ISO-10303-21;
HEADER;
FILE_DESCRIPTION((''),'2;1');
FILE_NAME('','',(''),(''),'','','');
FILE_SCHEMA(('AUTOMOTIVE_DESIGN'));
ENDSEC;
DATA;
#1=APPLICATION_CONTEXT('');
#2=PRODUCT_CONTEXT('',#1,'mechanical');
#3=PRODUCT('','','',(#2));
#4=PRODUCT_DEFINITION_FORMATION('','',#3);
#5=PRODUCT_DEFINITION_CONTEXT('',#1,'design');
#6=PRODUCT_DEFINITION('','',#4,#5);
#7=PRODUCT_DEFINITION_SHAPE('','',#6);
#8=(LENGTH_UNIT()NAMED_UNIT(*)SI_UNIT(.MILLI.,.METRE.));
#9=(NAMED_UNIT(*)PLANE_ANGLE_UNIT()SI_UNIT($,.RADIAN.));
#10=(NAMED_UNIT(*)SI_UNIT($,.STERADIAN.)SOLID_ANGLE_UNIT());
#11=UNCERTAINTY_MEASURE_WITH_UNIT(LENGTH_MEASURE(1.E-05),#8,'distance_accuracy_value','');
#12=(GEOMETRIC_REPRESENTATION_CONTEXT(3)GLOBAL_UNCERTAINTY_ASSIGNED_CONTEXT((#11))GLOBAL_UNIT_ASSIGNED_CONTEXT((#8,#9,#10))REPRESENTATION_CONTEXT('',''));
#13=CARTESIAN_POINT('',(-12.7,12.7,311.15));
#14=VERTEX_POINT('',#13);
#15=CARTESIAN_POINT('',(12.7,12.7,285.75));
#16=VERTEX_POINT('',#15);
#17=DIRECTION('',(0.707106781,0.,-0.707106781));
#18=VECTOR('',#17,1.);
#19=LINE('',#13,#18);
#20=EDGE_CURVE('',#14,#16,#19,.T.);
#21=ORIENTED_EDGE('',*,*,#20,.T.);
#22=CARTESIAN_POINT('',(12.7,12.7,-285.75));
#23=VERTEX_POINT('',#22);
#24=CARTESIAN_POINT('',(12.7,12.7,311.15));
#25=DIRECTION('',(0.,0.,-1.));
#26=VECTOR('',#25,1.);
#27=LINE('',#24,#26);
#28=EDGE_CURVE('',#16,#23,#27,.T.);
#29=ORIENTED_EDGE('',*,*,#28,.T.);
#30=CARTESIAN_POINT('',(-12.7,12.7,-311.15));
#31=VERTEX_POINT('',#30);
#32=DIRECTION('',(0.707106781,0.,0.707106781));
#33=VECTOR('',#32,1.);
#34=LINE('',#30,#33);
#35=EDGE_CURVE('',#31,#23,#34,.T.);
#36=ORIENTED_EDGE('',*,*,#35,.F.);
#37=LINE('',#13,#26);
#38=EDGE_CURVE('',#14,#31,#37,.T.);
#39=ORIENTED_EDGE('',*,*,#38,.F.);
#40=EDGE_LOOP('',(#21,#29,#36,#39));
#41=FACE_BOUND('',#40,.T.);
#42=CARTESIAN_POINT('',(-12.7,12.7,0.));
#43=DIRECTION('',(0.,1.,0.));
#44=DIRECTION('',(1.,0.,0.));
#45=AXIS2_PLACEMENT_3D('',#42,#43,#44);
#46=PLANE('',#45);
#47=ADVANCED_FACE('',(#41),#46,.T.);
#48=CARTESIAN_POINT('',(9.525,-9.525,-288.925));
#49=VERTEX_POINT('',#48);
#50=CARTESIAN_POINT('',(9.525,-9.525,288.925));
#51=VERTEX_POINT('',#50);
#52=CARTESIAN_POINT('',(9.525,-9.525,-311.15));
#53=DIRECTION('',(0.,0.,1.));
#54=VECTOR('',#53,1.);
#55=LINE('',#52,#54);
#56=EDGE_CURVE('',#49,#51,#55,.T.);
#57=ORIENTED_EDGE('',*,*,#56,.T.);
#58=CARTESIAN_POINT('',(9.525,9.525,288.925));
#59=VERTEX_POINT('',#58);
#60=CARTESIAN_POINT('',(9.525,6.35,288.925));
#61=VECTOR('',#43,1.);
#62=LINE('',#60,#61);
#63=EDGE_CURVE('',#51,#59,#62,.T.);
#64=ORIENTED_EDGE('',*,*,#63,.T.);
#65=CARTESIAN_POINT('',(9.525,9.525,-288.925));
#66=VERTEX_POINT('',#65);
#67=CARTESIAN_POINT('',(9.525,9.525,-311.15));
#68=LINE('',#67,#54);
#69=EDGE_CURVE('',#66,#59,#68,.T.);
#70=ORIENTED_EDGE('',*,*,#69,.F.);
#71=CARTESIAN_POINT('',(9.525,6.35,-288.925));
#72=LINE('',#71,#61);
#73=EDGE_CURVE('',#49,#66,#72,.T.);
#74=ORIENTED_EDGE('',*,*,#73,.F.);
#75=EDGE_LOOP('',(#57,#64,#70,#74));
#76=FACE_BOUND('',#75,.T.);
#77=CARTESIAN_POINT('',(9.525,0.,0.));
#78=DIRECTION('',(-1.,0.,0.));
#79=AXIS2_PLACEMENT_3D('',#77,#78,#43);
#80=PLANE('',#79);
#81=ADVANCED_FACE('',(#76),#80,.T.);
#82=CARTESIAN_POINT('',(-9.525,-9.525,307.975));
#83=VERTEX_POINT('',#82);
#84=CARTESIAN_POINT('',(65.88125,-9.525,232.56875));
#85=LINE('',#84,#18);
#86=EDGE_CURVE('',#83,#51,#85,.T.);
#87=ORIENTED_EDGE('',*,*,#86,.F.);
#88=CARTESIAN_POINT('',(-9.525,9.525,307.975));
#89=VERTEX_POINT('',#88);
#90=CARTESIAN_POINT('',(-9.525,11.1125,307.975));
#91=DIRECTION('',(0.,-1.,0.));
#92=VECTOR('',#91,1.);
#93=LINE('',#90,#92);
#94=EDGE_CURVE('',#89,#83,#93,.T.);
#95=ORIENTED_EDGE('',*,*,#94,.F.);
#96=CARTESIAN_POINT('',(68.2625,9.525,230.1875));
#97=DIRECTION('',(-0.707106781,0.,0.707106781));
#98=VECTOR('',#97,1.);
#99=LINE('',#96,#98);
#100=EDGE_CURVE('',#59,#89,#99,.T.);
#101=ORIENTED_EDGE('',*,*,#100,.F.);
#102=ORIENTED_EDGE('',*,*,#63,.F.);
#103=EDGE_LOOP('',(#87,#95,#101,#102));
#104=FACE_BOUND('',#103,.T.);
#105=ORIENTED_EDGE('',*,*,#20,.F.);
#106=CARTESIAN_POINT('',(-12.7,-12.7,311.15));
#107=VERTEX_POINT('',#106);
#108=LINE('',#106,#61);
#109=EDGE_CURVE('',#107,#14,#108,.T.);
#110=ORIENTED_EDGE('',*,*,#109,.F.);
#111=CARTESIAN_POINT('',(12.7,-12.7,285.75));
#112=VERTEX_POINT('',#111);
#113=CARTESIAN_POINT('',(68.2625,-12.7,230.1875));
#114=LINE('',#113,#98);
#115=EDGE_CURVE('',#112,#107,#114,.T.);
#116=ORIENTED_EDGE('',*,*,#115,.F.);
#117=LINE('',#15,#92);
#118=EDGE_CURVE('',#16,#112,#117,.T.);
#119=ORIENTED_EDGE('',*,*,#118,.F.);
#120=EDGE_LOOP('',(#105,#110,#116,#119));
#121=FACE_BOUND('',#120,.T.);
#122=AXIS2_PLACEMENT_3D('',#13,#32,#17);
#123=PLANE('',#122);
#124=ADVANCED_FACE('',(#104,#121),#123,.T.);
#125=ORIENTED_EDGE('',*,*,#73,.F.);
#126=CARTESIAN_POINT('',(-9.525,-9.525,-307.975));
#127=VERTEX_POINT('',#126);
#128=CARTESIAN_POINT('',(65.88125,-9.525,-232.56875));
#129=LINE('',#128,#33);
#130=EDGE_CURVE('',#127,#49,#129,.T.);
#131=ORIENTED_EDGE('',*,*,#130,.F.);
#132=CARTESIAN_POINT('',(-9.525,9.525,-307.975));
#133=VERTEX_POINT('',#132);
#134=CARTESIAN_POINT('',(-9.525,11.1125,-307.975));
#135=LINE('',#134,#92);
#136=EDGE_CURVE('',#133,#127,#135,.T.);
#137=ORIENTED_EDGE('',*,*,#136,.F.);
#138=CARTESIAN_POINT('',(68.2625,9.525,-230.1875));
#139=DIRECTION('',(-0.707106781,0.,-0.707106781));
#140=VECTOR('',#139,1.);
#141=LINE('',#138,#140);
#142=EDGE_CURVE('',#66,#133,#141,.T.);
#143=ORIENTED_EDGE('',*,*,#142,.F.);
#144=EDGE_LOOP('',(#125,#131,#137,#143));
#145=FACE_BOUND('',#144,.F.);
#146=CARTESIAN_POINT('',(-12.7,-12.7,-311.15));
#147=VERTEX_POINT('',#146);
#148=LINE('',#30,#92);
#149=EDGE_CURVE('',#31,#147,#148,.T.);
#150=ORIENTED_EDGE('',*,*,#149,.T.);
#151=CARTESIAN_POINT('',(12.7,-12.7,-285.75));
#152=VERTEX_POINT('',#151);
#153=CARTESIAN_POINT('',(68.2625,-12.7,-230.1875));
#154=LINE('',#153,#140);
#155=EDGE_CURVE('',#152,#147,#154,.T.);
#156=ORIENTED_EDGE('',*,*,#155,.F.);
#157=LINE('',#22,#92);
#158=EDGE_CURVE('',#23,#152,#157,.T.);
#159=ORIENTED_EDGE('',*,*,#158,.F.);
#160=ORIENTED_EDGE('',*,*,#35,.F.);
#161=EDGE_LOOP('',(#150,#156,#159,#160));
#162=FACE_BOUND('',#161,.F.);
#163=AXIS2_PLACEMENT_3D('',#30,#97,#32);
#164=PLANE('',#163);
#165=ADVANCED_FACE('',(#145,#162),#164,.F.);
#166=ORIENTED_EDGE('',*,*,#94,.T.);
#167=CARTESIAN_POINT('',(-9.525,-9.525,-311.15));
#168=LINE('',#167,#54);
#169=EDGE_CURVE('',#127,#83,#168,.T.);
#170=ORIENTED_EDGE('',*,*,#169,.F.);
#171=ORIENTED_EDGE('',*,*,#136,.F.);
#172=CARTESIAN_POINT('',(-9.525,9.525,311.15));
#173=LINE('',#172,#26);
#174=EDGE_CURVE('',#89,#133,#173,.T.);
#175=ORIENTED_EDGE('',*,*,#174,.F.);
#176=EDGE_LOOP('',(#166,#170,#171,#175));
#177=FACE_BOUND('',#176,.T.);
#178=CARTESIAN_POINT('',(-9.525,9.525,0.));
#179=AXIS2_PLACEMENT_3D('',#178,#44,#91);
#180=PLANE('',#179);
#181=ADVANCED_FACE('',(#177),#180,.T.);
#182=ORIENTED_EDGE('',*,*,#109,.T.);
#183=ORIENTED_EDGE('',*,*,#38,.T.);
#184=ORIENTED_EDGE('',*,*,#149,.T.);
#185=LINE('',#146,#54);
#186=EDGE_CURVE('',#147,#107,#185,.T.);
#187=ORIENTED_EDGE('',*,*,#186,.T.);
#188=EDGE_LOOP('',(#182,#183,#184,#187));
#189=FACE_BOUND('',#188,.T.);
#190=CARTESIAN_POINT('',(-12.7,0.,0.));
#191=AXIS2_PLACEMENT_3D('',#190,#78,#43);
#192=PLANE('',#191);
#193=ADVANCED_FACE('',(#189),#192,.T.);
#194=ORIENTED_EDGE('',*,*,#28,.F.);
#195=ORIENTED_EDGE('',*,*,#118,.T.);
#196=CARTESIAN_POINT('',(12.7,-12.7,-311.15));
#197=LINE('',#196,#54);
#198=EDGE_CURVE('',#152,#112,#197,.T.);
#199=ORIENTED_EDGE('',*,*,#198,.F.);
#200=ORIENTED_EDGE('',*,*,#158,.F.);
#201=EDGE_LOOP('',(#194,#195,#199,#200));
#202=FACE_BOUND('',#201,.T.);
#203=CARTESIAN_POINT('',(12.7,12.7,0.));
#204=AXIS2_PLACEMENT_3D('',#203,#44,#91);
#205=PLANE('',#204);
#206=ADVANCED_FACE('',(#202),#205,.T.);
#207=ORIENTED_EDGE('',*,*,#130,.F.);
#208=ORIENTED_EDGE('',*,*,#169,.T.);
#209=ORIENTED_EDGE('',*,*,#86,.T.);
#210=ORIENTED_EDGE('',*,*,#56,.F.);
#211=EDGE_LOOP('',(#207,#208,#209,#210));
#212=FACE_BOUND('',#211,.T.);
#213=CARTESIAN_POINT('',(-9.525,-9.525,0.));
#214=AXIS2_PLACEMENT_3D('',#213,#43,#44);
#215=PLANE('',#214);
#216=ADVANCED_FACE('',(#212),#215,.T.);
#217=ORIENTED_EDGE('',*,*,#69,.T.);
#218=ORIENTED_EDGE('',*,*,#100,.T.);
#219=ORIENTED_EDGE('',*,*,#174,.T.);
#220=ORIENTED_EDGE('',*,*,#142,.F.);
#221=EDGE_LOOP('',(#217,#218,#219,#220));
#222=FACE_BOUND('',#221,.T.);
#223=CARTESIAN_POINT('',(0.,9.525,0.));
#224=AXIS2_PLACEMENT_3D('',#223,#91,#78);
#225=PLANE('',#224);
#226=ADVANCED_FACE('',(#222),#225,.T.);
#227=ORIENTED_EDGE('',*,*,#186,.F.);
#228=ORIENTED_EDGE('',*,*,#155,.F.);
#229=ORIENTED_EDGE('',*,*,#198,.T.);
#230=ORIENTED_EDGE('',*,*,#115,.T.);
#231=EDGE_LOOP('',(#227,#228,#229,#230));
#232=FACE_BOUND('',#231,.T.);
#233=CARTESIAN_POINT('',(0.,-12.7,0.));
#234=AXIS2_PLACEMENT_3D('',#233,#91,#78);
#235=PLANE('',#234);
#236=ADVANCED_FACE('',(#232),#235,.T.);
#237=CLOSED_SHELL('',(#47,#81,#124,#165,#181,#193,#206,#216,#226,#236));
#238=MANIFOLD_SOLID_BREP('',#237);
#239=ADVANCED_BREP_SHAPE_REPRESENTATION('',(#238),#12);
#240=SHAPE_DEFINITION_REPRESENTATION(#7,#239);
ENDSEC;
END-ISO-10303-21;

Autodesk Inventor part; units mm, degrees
ref_plane "YZ Plane" through (0, 0, 0) normal (1, 0, 0) x (0, 1, 0)
ref_plane "XZ Plane" through (0, 0, 0) normal (0, 1, 0) x (-1, 0, 0)
ref_plane "XY Plane" through (0, 0, 0) normal (0, 0, 1) x (1, 0, 0)
sketch "Sketch1" plane through (0, 0, 0) normal (0, 0, 1) x (1, 0, 0)
  line L0 (-17.78, 0) -> (17.78, 0) projected
  line L1 (0, -17.78) -> (0, 17.78) projected
  line L2 (-12.7, 12.7) -> (12.7, 12.7)
  line L3 (12.7, 12.7) -> (12.7, -12.7)
  line L4 (12.7, -12.7) -> (-12.7, -12.7)
  line L5 (-12.7, -12.7) -> (-12.7, 12.7)
  line L6 (9.525, 9.525) -> (-9.525, 9.525)
  line L7 (-9.525, 9.525) -> (-9.525, -9.525)
  line L8 (-9.525, -9.525) -> (9.525, -9.525)
  line L9 (9.525, -9.525) -> (9.525, 9.525)
  point P0 (0, 0)
  point P1 (-12.7, 0)
  point P2 (0, 12.7)
  dimension "d0" = 25.4
  dimension "d1" = 3.175
extrude "Extrusion1" add sketch "Sketch1" along normal mid plane 622.3 contours L5 L2 L1 L6 L7 L0 | L0 L7 L8 L1 L4 L5 | L1 L8 L9 L0 L3 L4 | L2 L3 L0 L9 L6 L1
sketch "Sketch3" plane through (-12.7, 12.7, 311.15) normal (0, 1, 0) x (1, 0, 0)
  line L0 (0, 0) -> (25.4, 0) projected
  line L1 (25.4, 0) -> (25.4, 622.3) projected
  line L2 (25.4, 622.3) -> (0, 622.3) projected
  line L3 (0, 622.3) -> (0, 0) projected
  line L4 (0, 0) -> (25.4, 25.4)
  line L5 (0, 311.15) -> (25.4, 311.15) construction
  line L6 (0, 622.3) -> (25.4, 596.9)
  line L7 (25.4, 596.9) -> (25.4, 622.3)
  line L8 (0, 622.3) -> (25.4, 622.3)
  point P0 (12.7, 311.15)
  dimension "d7" = 45
extrude "Extrusion3" cut sketch "Sketch3" against normal through all contours L4 L1 L0 | L2 L1 L6
properties part number "tubing_template_0.125" material "Aluminum-6061"
